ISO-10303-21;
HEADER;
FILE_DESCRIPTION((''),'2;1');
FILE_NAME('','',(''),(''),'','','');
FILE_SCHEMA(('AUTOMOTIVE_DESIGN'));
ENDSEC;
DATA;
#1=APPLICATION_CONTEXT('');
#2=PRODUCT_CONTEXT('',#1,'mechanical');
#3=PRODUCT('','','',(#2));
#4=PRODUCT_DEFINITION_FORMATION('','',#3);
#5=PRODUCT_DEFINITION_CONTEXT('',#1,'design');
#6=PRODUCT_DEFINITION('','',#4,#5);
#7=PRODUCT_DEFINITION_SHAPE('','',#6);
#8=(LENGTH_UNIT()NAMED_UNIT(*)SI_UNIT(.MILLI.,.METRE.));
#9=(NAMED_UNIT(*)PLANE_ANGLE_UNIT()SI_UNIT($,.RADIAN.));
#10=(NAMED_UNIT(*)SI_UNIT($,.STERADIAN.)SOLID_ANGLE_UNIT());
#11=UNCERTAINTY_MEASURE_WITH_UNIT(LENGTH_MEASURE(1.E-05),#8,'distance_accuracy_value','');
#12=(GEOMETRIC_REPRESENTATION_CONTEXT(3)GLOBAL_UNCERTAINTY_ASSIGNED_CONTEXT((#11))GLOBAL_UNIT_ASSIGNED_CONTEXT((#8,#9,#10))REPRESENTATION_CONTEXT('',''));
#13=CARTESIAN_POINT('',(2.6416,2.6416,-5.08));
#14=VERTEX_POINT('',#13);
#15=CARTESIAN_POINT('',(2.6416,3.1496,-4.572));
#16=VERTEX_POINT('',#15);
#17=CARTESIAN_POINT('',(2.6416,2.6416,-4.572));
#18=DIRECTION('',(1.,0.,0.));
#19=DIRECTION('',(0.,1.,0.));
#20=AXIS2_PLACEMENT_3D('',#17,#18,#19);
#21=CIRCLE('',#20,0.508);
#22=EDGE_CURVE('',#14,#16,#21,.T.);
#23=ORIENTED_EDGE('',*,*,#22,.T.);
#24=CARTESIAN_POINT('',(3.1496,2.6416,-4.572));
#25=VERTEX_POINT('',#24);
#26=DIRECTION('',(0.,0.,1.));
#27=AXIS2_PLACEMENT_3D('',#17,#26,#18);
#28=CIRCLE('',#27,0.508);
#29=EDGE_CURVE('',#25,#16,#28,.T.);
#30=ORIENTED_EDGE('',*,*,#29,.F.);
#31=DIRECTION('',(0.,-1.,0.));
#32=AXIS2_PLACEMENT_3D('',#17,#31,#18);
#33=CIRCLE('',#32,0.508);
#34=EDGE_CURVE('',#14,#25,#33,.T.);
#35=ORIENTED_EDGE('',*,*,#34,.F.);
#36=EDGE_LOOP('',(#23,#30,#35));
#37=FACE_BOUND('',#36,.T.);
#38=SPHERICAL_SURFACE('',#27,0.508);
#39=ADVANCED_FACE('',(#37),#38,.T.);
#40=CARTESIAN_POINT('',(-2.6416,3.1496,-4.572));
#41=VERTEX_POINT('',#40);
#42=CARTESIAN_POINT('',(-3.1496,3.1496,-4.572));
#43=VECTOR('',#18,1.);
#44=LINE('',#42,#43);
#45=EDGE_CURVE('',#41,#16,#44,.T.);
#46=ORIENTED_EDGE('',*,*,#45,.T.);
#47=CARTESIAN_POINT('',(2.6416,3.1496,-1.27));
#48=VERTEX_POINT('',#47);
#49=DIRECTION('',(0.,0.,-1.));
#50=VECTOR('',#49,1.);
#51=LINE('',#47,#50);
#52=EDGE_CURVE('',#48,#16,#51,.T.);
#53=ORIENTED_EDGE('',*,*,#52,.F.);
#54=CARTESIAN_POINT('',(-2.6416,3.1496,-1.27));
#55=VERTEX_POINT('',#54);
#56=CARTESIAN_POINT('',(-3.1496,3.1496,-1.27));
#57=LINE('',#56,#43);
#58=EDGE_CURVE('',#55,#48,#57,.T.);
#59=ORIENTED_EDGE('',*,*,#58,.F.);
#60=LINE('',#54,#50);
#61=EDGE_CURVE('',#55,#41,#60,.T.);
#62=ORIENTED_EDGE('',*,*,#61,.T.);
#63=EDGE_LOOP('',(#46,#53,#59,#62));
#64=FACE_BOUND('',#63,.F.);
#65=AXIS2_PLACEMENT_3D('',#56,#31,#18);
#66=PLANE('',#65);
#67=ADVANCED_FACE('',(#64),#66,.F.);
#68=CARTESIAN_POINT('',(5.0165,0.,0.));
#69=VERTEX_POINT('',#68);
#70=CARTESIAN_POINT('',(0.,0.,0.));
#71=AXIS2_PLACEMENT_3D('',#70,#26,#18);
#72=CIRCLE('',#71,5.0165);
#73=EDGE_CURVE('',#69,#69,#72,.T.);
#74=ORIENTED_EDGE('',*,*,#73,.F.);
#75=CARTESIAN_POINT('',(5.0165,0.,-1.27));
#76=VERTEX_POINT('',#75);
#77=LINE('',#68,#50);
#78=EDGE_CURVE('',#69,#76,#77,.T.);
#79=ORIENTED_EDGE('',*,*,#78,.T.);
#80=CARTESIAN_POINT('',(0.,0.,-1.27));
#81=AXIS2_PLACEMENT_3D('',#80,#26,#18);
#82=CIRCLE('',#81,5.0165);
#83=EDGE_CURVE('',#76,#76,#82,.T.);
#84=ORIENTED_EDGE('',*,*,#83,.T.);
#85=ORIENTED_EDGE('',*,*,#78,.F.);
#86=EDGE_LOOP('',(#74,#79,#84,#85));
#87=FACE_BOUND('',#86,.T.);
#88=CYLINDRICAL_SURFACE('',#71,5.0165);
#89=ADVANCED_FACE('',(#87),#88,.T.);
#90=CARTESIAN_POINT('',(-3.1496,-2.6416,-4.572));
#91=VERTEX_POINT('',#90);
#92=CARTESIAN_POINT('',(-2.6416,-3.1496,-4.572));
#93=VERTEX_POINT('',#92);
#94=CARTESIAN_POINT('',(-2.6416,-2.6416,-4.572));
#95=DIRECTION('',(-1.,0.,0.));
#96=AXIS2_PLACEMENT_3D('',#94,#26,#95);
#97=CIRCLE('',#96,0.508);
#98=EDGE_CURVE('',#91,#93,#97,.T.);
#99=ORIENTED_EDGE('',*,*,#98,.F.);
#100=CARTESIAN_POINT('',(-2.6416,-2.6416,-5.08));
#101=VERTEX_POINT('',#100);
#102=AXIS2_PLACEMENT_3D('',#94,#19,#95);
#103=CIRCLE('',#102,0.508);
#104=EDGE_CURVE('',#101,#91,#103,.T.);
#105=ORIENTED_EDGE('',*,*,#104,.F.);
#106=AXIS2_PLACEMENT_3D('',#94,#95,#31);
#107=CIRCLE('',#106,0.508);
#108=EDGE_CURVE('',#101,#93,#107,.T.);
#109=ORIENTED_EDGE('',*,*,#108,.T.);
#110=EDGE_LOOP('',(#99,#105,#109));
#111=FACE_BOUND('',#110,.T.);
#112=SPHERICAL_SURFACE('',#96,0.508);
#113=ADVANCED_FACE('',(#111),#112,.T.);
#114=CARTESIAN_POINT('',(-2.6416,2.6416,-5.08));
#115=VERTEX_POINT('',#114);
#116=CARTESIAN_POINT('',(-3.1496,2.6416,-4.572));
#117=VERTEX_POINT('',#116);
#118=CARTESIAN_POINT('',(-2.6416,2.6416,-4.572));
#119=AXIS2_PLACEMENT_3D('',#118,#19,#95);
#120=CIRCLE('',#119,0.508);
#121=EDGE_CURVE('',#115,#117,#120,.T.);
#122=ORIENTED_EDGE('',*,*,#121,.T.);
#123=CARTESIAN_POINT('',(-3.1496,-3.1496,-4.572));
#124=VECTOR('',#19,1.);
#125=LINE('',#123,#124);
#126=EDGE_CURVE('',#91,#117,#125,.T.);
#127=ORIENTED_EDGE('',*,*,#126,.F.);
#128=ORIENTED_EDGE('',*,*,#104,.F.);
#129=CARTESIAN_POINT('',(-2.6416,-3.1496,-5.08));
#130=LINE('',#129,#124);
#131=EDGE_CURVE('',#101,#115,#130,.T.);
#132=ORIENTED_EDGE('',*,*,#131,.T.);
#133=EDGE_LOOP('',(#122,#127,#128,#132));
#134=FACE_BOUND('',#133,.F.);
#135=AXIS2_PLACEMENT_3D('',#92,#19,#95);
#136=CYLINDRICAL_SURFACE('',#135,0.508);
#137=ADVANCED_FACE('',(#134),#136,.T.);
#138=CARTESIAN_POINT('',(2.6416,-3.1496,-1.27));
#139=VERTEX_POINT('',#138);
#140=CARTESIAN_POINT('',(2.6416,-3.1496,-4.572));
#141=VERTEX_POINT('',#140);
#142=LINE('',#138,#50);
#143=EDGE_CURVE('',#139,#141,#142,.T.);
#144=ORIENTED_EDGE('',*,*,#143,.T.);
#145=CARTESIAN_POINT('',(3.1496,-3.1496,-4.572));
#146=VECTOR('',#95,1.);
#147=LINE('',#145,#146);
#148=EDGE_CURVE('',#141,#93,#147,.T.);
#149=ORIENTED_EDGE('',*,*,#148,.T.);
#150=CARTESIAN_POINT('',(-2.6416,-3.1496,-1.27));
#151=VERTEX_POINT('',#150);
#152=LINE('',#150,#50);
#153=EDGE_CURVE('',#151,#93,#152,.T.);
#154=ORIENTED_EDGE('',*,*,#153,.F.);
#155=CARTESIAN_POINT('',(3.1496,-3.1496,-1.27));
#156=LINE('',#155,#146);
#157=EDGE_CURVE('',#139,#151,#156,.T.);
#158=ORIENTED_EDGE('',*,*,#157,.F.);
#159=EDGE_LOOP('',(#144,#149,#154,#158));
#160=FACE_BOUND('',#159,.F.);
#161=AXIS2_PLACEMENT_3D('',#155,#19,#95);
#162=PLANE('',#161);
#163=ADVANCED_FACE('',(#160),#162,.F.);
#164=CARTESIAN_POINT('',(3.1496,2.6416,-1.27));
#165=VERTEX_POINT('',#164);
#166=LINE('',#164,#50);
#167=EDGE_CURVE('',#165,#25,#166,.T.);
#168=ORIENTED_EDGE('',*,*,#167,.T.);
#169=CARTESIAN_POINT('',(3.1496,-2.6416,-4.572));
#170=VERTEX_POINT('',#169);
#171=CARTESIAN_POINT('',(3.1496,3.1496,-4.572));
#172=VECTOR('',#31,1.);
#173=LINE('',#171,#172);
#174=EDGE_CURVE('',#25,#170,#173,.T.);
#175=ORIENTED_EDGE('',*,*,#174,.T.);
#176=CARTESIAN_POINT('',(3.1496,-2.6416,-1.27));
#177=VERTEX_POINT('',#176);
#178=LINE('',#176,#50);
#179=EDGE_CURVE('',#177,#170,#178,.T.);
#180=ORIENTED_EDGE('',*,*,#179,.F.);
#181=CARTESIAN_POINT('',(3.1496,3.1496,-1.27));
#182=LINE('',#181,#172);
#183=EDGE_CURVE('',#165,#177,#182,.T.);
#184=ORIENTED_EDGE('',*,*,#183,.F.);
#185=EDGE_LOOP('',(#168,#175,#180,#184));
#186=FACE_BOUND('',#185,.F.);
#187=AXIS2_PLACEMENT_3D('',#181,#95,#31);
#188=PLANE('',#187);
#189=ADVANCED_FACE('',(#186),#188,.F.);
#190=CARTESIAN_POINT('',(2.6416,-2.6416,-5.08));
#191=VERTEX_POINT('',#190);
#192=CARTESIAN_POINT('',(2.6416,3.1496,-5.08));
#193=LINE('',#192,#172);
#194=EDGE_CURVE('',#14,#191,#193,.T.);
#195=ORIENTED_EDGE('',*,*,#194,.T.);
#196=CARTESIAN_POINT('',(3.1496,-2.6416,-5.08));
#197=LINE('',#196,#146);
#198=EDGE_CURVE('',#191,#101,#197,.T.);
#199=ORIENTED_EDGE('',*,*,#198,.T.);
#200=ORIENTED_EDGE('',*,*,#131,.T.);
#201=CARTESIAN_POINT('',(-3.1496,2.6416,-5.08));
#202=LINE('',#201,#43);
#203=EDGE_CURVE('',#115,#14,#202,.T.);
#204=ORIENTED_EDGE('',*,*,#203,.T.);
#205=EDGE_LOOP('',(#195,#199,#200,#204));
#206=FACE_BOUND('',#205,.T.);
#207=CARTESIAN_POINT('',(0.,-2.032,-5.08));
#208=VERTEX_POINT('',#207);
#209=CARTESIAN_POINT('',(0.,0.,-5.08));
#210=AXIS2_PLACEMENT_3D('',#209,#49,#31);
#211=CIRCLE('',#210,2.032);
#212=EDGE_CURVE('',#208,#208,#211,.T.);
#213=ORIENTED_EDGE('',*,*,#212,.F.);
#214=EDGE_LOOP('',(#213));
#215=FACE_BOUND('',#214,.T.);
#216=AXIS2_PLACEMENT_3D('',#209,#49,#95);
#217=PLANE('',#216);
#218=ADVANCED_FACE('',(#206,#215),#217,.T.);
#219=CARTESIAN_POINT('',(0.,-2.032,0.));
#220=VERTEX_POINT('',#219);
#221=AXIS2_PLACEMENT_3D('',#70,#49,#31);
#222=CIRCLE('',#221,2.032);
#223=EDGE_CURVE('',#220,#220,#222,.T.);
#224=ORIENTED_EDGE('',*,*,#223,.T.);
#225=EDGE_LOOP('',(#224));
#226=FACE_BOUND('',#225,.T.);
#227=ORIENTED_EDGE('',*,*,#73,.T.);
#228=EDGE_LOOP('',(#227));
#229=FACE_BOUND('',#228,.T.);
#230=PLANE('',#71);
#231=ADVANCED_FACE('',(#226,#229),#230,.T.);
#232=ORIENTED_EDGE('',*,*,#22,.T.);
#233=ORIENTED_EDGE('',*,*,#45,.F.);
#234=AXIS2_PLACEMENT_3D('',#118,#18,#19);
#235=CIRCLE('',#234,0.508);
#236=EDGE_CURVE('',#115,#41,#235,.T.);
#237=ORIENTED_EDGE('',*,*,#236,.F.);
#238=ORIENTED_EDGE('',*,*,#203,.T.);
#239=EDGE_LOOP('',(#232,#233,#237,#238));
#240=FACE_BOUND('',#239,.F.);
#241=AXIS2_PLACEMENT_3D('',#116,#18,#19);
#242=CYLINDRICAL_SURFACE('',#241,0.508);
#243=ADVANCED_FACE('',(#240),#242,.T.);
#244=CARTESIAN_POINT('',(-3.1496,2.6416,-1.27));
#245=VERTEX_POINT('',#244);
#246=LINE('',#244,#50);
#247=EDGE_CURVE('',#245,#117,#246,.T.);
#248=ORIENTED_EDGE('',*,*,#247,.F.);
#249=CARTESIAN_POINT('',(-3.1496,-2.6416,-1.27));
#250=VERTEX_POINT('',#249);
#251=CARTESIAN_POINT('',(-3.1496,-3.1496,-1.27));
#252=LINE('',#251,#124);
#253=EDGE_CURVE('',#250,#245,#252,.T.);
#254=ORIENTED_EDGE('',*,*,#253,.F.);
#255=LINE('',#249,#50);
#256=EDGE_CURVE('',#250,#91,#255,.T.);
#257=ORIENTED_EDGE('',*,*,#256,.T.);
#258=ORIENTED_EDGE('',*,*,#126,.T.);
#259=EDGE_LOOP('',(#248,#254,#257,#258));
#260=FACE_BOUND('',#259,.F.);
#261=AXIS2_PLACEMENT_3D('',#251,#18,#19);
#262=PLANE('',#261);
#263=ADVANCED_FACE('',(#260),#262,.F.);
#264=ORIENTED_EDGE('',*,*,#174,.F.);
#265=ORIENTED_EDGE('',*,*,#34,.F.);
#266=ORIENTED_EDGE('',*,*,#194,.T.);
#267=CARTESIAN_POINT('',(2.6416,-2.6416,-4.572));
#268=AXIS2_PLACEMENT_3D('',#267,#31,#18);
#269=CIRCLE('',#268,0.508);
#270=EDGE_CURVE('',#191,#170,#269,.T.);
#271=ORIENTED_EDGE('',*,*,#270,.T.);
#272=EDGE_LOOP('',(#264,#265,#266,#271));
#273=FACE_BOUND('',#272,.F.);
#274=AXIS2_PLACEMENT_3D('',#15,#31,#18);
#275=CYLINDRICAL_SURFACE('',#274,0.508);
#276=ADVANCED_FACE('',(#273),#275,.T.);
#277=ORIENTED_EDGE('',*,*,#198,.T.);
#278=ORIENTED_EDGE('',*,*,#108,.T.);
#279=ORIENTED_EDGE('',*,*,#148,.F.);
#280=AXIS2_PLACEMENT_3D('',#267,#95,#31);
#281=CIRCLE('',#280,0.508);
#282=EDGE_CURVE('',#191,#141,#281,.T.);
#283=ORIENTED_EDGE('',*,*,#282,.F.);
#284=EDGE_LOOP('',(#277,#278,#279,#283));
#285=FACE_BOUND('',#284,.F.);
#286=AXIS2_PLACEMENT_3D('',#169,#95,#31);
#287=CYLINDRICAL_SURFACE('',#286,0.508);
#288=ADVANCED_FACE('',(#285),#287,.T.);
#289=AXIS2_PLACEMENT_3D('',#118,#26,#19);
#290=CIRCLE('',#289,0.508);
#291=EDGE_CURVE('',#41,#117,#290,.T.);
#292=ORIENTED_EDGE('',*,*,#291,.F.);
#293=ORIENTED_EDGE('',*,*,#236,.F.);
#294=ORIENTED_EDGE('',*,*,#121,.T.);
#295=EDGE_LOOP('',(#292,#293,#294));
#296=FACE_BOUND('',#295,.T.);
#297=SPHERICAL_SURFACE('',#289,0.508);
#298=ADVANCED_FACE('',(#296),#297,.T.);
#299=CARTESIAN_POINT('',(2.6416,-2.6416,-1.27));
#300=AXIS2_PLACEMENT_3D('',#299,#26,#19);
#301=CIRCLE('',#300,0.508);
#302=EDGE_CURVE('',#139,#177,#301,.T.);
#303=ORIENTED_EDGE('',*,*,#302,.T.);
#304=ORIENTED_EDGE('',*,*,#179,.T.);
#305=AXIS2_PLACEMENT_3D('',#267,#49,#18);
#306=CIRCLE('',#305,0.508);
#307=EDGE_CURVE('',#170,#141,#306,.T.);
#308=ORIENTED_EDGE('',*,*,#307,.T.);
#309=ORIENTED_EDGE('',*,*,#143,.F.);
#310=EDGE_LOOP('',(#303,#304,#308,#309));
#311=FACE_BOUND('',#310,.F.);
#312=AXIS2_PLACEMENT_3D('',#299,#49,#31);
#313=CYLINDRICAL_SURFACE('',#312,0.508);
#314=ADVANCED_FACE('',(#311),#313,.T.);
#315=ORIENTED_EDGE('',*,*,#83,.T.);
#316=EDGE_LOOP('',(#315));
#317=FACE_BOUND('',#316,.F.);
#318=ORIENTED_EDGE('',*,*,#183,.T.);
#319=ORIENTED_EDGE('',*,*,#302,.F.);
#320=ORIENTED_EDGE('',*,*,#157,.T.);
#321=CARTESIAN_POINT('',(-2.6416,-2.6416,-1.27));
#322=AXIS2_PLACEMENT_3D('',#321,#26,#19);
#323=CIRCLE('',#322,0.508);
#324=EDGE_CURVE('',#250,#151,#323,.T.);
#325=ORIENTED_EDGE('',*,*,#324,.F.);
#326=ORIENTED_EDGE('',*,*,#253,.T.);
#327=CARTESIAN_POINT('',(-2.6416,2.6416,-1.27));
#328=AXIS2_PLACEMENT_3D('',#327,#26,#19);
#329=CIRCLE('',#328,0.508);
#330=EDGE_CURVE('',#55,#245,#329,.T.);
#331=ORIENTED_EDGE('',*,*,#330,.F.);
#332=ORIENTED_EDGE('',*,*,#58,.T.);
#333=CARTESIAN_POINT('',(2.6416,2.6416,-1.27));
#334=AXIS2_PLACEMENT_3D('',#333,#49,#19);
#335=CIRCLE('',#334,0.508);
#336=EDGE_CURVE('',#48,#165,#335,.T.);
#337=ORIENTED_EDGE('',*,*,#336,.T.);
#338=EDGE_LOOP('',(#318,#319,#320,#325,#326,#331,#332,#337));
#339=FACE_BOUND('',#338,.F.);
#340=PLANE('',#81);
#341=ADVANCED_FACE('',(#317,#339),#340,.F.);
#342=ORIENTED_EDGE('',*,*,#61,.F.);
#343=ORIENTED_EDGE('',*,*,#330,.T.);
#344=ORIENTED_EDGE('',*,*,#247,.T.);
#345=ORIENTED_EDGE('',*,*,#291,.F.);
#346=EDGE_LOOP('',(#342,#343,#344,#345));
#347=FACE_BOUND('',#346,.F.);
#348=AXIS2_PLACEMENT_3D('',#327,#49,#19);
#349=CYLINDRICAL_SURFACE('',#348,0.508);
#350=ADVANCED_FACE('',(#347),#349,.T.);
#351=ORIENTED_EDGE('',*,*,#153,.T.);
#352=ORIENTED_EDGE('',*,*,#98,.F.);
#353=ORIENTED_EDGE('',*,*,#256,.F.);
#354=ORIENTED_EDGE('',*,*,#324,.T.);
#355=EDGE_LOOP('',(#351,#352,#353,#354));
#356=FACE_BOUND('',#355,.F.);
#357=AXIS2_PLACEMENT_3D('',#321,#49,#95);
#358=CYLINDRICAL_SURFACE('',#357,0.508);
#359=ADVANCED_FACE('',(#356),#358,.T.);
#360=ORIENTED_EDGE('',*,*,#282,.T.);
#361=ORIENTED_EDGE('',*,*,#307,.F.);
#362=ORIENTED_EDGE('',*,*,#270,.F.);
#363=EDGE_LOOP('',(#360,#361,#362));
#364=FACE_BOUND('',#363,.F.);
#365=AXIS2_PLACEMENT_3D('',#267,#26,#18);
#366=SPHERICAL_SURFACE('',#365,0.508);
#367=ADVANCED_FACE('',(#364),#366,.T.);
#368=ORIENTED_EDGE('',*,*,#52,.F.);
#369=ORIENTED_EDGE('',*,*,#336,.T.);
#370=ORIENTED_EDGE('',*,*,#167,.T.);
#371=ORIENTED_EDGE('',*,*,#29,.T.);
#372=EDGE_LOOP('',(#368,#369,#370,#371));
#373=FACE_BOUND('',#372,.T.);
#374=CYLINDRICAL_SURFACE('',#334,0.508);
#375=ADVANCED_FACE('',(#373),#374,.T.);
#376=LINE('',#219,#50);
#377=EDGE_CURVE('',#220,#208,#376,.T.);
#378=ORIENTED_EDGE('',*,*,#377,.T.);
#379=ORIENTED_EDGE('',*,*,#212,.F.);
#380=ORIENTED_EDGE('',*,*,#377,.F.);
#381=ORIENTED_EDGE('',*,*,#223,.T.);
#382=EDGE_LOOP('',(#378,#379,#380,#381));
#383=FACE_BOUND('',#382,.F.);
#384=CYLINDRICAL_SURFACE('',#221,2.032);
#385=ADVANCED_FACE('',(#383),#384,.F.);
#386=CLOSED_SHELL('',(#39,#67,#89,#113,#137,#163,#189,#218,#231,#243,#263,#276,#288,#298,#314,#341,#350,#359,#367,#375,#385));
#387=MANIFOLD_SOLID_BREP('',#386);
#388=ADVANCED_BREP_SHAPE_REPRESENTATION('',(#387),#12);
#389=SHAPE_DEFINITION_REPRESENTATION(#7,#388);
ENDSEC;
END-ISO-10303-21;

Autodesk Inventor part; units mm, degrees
ref_plane "YZ Plane" through (0, 0, 0) normal (1, 0, 0) x (0, 1, 0)
ref_plane "XZ Plane" through (0, 0, 0) normal (0, 1, 0) x (-1, 0, 0)
ref_plane "XY Plane" through (0, 0, 0) normal (0, 0, 1) x (1, 0, 0)
sketch "Sketch1" plane through (0, 0, 0) normal (0, 0, 1) x (1, 0, 0)
  circle A0 centre (0, 0) radius 5.0165
  dimension "d0" = 10.033
extrude "Extrusion1" add sketch "Sketch1" against normal blind 1.27
sketch "Sketch2" plane through (0, 0, -1.27) normal (0, 0, -1) x (-1, 0, 0)
  circle A0 centre (0, 0) radius 5.0165 projected
  line L0 (-3.1496, -3.1496) -> (3.1496, -3.1496)
  line L1 (3.1496, -3.1496) -> (3.1496, 3.1496)
  line L2 (3.1496, 3.1496) -> (-3.1496, 3.1496)
  line L3 (-3.1496, 3.1496) -> (-3.1496, -3.1496)
  point P0 (0, 3.1496)
  point P1 (-3.1496, 0)
  dimension "d3" = 6.2992
extrude "Extrusion2" add sketch "Sketch2" along normal blind 3.81 contours L3 L2 L1 L0
fillet "Fillet1" radius 0.508 8 edges at (3.1496, 3.1496, -3.175) (-3.1496, 3.1496, -3.175) (-3.1496, -3.1496, -3.175) (3.1496, -3.1496, -3.175) (3.1496, 0, -5.08) (0, 3.1496, -5.08) (-3.1496, 0, -5.08) (0, -3.1496, -5.08)
sketch "Sketch3" plane through (0, 0, 0) normal (0, 0, 1) x (1, 0, 0)
  circle A0 centre (0, 0) radius 5.0165 projected
hole "Hole1" at (0, 0, 0) direction (0, 0, -1) diameter 4.064 end through all
properties part number "Free Spinning Gear Insert" material "Acetal Resin, White"
